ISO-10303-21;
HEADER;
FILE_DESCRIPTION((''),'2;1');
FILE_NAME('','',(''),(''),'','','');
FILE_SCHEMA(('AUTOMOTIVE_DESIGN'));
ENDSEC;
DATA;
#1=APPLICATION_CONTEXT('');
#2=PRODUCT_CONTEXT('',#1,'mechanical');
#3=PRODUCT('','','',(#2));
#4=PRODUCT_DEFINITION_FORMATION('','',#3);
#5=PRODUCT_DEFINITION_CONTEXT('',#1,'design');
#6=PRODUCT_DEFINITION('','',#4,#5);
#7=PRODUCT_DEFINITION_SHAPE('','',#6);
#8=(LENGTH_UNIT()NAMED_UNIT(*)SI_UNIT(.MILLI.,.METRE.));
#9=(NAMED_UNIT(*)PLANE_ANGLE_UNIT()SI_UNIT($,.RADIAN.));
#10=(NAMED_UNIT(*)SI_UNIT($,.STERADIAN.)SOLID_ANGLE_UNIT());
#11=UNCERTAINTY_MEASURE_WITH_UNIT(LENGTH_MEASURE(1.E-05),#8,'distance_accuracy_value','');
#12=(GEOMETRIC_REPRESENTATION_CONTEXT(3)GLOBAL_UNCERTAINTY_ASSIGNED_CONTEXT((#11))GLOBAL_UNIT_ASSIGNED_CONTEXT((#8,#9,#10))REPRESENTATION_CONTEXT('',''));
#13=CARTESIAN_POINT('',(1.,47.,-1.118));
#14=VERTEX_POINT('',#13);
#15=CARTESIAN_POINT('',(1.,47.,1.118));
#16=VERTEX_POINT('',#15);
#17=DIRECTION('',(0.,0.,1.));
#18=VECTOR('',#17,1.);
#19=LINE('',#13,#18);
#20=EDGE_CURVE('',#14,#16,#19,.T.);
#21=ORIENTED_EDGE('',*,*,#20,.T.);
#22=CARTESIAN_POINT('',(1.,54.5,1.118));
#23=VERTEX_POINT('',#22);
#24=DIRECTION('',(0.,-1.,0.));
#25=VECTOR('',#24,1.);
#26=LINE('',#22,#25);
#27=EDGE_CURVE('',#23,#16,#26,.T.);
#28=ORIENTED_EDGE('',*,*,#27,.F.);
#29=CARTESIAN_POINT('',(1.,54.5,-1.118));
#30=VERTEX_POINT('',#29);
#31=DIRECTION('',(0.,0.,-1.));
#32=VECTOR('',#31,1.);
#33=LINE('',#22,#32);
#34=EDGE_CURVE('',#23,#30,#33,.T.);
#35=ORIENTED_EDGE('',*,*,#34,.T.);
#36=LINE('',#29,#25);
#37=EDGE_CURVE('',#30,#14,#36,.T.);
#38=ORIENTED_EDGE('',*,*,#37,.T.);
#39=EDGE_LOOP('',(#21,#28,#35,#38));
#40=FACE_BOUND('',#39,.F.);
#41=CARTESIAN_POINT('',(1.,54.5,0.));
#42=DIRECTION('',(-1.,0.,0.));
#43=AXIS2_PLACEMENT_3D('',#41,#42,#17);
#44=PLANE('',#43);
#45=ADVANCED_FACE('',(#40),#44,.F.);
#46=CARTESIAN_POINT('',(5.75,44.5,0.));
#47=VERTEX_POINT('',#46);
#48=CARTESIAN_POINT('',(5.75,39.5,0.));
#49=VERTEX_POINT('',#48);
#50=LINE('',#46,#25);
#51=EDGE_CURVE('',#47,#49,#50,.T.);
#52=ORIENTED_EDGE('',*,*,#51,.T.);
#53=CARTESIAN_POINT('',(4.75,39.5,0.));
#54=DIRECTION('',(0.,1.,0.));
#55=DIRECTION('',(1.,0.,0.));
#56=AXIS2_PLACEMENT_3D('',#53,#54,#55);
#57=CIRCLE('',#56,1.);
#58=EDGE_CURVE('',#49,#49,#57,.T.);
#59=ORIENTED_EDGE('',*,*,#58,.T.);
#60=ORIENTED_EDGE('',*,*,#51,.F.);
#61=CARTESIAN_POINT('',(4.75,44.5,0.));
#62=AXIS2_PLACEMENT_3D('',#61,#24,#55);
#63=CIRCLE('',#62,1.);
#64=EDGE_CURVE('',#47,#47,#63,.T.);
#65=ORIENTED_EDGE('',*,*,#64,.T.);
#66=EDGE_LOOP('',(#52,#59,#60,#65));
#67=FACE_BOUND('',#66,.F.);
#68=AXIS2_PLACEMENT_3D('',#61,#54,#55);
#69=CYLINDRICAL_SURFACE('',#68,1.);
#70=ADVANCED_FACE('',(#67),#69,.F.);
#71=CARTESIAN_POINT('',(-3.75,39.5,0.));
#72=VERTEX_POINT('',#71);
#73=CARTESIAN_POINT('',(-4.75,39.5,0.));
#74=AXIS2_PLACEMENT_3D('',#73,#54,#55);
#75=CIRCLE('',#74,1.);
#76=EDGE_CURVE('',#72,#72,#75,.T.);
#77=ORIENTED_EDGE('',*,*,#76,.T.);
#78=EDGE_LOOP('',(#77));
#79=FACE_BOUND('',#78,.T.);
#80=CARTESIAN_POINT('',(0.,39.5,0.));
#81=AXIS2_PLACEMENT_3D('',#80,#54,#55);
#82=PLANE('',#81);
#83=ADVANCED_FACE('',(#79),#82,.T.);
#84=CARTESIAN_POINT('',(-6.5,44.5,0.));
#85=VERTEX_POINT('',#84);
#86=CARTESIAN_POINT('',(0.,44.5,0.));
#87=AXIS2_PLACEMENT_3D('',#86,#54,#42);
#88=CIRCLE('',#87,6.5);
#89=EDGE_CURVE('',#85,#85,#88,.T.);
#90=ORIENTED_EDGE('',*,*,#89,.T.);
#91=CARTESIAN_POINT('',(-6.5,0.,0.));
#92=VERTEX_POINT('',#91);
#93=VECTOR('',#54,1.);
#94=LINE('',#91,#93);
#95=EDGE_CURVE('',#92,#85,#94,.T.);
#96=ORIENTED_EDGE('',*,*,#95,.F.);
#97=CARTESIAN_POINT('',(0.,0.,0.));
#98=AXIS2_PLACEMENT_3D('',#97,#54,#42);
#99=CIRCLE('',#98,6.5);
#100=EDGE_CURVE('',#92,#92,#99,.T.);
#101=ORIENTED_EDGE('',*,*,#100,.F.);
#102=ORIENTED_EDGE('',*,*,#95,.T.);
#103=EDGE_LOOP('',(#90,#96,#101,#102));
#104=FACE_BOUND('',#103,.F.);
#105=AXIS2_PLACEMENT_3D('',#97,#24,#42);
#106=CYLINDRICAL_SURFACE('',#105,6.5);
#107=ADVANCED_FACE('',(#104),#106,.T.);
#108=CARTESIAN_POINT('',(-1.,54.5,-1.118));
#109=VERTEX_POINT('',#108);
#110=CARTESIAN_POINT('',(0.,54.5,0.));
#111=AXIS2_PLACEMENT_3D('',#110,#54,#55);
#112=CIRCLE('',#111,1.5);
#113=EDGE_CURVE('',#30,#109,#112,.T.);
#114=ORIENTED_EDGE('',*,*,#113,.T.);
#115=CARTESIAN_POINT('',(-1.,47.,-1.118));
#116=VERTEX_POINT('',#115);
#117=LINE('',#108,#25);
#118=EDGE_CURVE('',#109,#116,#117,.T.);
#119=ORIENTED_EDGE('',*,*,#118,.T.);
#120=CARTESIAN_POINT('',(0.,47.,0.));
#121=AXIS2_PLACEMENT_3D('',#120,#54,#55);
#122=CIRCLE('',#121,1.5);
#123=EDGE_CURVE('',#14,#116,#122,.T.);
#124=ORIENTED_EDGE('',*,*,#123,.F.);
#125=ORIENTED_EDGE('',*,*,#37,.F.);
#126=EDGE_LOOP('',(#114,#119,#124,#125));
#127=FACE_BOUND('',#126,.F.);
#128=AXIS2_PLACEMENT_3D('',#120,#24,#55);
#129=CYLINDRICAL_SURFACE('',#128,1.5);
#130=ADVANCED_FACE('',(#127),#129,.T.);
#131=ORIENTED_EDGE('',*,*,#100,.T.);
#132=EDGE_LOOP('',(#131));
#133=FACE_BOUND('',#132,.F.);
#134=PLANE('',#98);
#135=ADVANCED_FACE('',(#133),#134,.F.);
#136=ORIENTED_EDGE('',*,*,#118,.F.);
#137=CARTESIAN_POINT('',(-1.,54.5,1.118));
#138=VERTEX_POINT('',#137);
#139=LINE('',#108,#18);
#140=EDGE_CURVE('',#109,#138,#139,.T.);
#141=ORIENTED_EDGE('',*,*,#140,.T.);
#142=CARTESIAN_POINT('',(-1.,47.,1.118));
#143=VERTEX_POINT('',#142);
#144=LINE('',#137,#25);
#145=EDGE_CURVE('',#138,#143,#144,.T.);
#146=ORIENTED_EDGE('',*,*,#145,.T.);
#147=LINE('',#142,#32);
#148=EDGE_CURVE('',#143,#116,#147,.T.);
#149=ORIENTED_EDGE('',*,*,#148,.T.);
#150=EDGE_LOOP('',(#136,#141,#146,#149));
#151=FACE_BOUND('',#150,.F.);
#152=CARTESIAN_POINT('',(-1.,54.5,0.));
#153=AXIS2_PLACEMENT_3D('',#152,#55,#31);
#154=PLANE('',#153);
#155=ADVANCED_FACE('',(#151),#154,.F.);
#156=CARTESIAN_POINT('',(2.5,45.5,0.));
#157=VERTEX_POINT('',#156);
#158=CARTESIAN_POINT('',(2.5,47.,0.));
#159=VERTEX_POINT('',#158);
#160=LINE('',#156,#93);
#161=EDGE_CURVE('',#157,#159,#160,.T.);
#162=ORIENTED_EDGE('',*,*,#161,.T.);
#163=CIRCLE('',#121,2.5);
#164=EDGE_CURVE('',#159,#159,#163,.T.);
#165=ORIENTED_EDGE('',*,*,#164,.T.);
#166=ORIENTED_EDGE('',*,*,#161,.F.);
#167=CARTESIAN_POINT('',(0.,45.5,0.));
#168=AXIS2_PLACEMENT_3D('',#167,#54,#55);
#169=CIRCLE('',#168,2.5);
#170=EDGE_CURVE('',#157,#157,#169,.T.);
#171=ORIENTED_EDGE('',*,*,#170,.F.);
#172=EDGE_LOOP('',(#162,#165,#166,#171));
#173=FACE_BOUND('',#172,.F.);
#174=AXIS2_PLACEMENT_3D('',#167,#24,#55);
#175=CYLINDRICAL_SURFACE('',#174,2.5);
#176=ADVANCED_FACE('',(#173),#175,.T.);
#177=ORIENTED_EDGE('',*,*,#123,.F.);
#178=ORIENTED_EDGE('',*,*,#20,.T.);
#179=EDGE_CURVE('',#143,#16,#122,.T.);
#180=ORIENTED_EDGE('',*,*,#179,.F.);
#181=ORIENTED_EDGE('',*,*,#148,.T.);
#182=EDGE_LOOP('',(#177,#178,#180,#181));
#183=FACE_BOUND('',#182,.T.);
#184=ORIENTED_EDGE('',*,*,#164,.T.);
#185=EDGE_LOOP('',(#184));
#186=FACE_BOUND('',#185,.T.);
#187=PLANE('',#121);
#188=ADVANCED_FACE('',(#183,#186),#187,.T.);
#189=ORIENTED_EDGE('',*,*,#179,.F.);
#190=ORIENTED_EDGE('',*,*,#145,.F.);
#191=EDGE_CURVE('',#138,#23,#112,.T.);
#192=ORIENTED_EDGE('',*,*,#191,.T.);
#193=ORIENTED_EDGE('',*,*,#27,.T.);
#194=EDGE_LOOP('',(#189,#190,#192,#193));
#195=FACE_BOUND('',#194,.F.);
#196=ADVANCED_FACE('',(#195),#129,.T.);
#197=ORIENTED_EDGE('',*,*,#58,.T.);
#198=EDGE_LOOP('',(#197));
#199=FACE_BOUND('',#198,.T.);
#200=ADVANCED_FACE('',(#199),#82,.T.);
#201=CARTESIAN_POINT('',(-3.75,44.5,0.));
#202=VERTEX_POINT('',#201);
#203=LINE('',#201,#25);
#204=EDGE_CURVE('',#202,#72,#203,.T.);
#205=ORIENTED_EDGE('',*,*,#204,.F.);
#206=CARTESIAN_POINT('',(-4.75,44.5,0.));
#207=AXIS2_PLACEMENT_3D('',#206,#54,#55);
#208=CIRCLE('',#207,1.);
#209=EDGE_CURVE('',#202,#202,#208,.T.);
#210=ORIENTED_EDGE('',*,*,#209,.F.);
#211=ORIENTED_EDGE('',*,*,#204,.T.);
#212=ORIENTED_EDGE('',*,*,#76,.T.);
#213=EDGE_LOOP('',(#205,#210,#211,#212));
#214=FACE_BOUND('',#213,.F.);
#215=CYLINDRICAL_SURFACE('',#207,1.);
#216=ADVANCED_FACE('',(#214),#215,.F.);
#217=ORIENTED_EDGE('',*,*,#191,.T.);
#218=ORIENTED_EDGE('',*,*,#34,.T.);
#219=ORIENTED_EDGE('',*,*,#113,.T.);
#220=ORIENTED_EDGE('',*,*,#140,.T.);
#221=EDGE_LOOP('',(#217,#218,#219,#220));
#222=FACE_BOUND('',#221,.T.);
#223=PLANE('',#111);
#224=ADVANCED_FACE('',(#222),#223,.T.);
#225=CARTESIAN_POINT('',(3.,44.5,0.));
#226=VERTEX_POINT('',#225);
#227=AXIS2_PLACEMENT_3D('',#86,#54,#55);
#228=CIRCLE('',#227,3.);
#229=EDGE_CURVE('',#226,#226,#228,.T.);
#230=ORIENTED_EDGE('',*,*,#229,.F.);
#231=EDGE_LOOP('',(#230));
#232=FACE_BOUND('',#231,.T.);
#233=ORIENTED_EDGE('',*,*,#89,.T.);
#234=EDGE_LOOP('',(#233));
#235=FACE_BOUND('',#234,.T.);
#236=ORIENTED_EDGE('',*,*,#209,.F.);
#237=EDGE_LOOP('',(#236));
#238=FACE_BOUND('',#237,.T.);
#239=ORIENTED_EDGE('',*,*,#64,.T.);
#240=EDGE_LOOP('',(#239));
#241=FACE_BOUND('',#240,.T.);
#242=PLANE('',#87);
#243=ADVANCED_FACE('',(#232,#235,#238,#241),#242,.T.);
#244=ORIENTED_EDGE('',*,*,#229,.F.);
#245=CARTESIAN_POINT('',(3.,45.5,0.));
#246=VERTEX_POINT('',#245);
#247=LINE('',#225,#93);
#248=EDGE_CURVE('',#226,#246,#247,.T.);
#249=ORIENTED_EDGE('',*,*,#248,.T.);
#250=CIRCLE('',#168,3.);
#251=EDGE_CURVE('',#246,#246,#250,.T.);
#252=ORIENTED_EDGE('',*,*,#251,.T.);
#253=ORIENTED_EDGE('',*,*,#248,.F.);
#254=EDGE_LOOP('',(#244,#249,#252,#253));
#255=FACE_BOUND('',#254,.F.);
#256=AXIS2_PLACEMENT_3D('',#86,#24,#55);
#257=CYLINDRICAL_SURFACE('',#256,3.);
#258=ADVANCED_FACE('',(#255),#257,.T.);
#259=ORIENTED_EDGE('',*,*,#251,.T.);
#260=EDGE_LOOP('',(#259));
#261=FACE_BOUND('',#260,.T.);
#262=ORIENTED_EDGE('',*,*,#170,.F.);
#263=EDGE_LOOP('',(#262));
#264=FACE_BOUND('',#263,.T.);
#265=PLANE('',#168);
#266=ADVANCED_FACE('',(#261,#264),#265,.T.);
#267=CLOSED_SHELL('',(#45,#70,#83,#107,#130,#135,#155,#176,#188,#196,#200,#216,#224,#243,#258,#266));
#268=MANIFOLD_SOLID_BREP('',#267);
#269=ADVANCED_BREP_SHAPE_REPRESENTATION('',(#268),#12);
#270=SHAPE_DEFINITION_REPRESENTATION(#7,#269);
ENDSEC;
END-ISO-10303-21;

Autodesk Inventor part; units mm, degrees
ref_plane "YZ Plane" through (0, 0, 0) normal (1, 0, 0) x (0, 1, 0)
ref_plane "XZ Plane" through (0, 0, 0) normal (0, 1, 0) x (-1, 0, 0)
ref_plane "XY Plane" through (0, 0, 0) normal (0, 0, 1) x (1, 0, 0)
sketch "草图1" plane through (0, 0, 0) normal (0, 1, 0) x (-1, 0, 0)
  circle A0 centre (0, 0) radius 6.5
  dimension "d0" = 13
extrude "拉伸1" add sketch "草图1" along normal blind 44.5
sketch "草图2" plane through (0, 44.5, 0) normal (0, 1, 0) x (1, 0, 0)
  circle A0 centre (0, 0) radius 3
  dimension "d3" = 6
extrude "拉伸2" add sketch "草图2" along normal blind 1
sketch "草图3" plane through (0, 45.5, 0) normal (0, 1, 0) x (1, 0, 0)
  circle A0 centre (0, 0) radius 2.5
  dimension "d6" = 5
extrude "拉伸3" add sketch "草图3" along normal blind 1.5
sketch "草图4" plane through (0, 47, 0) normal (0, 1, 0) x (1, 0, 0)
  circle A0 centre (0, 0) radius 1.5
  dimension "d9" = 3
extrude "拉伸4" add sketch "草图4" along normal blind 7.5
sketch "草图5" plane through (0, 54.5, 0) normal (0, 1, 0) x (1, 0, 0)
  circle A0 centre (0, 0) radius 1.5 projected
  line L0 (0, 0) -> (1, 0)
  line L1 (0, 0) -> (-1, 0)
  line L2 (-1, 0) -> (-1, 1.118)
  circle A1 centre (0, 0) radius 1.5 projected
  line L3 (-1, 0) -> (-1, -1.118)
  line L4 (1, 0) -> (1, -1.118)
  line L5 (1, 0) -> (1, 1.118)
  line L6 (-1, -1.118) -> (-1, 1.118)
  line L7 (1, 1.118) -> (1, -1.118)
  arc A2 (1, -1.118) -> (1, 1.118) centre (0, 0) ccw
  arc A3 (-1, 1.118) -> (-1, -1.118) centre (0, 0) ccw
  dimension "d12" = 1
  dimension "d13" = 1
  dimension "d14" = 1.5
  dimension "d15" = 1.5
extrude "拉伸5" cut sketch "草图5" against normal up to surface (7.5 mm away) contours A0 L4 L5 | L2 L3 A0
sketch "草图6" plane through (0, 44.5, 0) normal (0, 1, 0) x (1, 0, 0)
  circle A0 centre (0, 0) radius 3 projected
  circle A1 centre (0, 0) radius 6.5 projected
  line L0 (0, 0) -> (-4.75, 0)
  line L1 (0, 0) -> (4.75, 0)
  circle A2 centre (-4.75, 0) radius 1
  circle A3 centre (4.75, 0) radius 1
  dimension "d18" = 4.75
  dimension "d19" = 4.75
  dimension "d20" = 2
  dimension "d21" = 2
extrude "拉伸6" cut sketch "草图6" against normal blind 5 contours A2 | A3
properties part number "maxon_motor"
